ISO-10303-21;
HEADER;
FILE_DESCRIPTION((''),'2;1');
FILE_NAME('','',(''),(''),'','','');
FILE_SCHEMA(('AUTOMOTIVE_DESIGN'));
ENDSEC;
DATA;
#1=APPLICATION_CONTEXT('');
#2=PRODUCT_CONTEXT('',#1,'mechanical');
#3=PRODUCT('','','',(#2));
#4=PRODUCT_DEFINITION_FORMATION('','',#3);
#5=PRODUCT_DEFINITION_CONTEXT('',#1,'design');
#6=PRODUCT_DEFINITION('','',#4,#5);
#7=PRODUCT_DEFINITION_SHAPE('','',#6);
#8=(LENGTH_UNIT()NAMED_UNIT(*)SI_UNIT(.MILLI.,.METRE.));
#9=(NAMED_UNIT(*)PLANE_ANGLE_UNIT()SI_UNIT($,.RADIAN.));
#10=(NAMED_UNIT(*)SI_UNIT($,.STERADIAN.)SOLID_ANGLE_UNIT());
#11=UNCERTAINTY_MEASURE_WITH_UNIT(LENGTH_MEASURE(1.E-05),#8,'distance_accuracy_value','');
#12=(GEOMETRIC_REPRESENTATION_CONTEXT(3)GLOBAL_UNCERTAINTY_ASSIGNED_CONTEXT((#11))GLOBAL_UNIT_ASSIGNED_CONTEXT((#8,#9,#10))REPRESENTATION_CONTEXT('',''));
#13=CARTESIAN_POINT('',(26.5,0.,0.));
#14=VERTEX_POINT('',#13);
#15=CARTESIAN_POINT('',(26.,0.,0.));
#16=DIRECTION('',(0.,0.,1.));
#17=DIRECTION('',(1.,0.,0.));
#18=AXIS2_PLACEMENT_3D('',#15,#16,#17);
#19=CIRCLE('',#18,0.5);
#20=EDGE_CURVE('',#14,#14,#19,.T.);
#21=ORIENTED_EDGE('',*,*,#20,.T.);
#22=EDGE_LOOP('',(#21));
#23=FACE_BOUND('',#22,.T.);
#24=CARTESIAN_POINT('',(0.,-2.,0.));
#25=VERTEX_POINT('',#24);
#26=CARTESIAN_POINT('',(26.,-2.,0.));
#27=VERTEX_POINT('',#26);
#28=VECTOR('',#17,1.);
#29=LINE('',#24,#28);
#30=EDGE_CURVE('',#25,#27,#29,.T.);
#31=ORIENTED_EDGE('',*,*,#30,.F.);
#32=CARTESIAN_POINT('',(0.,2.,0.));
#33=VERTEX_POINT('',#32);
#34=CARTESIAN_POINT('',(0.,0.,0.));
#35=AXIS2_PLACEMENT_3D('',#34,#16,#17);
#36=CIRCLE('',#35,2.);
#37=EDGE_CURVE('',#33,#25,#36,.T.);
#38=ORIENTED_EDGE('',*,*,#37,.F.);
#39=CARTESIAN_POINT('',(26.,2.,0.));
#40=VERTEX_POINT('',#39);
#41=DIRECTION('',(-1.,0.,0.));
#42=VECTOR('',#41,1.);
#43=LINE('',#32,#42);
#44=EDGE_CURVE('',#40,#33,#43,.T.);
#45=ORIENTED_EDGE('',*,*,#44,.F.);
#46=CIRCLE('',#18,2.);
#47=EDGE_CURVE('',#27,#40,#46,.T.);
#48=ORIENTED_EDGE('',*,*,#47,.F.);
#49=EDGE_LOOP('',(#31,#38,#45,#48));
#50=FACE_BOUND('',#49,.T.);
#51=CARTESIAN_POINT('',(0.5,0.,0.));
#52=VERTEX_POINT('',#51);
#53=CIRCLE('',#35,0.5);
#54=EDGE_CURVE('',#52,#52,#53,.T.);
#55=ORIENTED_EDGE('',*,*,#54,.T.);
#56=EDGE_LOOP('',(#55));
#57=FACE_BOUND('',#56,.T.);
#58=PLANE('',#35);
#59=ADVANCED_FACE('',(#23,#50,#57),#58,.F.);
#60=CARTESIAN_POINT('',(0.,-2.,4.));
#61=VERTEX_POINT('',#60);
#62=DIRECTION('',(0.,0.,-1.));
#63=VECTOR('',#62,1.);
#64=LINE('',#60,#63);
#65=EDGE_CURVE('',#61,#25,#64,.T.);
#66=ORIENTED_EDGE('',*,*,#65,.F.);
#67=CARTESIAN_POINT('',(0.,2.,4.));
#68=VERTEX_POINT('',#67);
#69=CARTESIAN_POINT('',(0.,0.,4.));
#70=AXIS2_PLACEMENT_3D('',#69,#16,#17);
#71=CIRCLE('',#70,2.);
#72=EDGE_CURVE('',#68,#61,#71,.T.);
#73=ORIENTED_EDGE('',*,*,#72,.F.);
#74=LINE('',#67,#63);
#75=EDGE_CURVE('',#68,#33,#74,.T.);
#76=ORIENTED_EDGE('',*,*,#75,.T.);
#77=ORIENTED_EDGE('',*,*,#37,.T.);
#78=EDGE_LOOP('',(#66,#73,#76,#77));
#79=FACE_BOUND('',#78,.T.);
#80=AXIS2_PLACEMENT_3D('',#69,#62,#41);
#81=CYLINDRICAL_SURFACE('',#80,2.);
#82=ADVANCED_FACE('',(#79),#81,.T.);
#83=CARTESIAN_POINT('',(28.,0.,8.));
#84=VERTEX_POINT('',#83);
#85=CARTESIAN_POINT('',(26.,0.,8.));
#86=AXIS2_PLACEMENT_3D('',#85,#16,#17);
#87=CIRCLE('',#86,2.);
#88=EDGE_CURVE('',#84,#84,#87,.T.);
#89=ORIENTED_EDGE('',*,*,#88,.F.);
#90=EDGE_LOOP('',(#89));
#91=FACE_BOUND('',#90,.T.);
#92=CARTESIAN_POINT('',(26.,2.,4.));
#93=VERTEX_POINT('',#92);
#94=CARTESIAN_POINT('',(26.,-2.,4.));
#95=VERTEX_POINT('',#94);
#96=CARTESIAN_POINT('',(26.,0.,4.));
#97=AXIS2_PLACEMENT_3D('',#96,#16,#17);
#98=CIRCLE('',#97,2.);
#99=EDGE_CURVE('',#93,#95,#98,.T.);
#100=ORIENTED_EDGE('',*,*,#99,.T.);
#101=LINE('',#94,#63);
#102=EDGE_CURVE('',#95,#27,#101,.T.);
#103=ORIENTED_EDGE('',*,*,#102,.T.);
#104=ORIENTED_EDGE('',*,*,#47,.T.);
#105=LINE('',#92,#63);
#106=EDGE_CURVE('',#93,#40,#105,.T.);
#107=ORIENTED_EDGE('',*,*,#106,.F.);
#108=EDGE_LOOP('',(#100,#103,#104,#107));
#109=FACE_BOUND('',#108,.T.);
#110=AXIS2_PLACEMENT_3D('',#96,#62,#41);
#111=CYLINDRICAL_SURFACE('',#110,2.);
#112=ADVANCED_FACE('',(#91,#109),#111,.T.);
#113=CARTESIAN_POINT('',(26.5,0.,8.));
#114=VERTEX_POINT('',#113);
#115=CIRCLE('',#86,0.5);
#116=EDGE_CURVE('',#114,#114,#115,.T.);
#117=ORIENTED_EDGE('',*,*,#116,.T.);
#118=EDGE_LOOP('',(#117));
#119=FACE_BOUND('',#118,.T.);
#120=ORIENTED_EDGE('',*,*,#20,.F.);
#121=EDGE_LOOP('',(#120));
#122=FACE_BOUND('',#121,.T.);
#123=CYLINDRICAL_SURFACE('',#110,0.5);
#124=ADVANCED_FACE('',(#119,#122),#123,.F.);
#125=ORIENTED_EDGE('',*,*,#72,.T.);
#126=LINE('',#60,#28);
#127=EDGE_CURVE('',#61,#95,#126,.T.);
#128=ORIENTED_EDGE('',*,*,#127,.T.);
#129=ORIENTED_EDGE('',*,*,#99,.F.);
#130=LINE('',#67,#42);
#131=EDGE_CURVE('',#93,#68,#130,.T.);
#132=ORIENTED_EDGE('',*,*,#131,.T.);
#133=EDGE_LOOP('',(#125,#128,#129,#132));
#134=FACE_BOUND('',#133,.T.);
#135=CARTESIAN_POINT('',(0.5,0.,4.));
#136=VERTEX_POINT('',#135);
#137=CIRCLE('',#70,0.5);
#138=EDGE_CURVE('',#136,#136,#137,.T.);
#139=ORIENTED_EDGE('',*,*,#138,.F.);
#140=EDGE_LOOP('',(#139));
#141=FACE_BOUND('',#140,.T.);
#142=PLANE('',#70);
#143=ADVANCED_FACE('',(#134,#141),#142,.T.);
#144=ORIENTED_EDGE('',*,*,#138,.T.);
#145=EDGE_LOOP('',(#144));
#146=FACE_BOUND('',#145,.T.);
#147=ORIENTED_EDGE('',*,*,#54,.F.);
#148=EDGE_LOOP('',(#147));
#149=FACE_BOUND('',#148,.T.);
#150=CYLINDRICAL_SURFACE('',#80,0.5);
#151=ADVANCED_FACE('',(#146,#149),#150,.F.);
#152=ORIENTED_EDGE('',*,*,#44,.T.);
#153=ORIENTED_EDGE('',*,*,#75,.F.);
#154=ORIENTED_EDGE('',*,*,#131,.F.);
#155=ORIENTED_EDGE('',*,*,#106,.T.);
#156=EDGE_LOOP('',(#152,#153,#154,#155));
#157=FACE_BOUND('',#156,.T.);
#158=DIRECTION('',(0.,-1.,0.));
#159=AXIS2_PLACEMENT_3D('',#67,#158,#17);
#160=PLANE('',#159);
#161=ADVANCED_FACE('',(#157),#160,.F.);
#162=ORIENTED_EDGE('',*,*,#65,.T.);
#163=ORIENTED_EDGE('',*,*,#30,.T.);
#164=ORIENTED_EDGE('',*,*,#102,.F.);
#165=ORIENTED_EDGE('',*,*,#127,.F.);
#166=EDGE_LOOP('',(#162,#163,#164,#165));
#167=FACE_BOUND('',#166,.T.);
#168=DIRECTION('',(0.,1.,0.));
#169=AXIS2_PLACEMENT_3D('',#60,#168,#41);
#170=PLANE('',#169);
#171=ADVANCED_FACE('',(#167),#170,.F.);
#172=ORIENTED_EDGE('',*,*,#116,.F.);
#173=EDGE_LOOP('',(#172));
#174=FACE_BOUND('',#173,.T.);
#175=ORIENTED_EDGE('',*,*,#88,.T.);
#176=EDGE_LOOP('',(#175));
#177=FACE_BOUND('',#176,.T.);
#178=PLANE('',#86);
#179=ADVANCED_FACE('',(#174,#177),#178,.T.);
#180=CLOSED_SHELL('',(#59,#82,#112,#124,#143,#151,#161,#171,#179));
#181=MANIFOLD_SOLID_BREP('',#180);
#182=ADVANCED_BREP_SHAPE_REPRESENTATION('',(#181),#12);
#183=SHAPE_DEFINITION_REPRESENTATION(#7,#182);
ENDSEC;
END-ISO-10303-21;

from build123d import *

# Parameters (mm, degrees)
SKETCH_1_R      = 0.5
EXTRUDE_1_DEPTH = 4
SKETCH_2_R      = 2
SKETCH_2_R_2    = 0.5
EXTRUDE_2_DEPTH = 4


with BuildPart() as part:
    # 草图1 → 凸台-拉伸1 (new body)
    with BuildSketch(Plane.XY):
        with BuildLine():
            Line((0, 2), (26, 2))
            ThreePointArc((26, 2), (28, 0), (26, -2))
            Line((26, -2), (0, -2))
            ThreePointArc((0, -2), (-2, 0), (0, 2))
        make_face()
        Circle(SKETCH_1_R, mode=Mode.SUBTRACT)
        with Locations((26, 0)):
            Circle(SKETCH_1_R, mode=Mode.SUBTRACT)
    extrude(amount=EXTRUDE_1_DEPTH)

    # 草图2 → 凸台-拉伸2 (add)
    with BuildSketch(Plane.XY.offset(4)):
        with Locations(Location((26, 0, 0), (0, 0, 90))):
            Circle(SKETCH_2_R)
        with Locations((26, 0)):
            Circle(SKETCH_2_R_2, mode=Mode.SUBTRACT)
    extrude(amount=EXTRUDE_2_DEPTH)


solid = part.part
